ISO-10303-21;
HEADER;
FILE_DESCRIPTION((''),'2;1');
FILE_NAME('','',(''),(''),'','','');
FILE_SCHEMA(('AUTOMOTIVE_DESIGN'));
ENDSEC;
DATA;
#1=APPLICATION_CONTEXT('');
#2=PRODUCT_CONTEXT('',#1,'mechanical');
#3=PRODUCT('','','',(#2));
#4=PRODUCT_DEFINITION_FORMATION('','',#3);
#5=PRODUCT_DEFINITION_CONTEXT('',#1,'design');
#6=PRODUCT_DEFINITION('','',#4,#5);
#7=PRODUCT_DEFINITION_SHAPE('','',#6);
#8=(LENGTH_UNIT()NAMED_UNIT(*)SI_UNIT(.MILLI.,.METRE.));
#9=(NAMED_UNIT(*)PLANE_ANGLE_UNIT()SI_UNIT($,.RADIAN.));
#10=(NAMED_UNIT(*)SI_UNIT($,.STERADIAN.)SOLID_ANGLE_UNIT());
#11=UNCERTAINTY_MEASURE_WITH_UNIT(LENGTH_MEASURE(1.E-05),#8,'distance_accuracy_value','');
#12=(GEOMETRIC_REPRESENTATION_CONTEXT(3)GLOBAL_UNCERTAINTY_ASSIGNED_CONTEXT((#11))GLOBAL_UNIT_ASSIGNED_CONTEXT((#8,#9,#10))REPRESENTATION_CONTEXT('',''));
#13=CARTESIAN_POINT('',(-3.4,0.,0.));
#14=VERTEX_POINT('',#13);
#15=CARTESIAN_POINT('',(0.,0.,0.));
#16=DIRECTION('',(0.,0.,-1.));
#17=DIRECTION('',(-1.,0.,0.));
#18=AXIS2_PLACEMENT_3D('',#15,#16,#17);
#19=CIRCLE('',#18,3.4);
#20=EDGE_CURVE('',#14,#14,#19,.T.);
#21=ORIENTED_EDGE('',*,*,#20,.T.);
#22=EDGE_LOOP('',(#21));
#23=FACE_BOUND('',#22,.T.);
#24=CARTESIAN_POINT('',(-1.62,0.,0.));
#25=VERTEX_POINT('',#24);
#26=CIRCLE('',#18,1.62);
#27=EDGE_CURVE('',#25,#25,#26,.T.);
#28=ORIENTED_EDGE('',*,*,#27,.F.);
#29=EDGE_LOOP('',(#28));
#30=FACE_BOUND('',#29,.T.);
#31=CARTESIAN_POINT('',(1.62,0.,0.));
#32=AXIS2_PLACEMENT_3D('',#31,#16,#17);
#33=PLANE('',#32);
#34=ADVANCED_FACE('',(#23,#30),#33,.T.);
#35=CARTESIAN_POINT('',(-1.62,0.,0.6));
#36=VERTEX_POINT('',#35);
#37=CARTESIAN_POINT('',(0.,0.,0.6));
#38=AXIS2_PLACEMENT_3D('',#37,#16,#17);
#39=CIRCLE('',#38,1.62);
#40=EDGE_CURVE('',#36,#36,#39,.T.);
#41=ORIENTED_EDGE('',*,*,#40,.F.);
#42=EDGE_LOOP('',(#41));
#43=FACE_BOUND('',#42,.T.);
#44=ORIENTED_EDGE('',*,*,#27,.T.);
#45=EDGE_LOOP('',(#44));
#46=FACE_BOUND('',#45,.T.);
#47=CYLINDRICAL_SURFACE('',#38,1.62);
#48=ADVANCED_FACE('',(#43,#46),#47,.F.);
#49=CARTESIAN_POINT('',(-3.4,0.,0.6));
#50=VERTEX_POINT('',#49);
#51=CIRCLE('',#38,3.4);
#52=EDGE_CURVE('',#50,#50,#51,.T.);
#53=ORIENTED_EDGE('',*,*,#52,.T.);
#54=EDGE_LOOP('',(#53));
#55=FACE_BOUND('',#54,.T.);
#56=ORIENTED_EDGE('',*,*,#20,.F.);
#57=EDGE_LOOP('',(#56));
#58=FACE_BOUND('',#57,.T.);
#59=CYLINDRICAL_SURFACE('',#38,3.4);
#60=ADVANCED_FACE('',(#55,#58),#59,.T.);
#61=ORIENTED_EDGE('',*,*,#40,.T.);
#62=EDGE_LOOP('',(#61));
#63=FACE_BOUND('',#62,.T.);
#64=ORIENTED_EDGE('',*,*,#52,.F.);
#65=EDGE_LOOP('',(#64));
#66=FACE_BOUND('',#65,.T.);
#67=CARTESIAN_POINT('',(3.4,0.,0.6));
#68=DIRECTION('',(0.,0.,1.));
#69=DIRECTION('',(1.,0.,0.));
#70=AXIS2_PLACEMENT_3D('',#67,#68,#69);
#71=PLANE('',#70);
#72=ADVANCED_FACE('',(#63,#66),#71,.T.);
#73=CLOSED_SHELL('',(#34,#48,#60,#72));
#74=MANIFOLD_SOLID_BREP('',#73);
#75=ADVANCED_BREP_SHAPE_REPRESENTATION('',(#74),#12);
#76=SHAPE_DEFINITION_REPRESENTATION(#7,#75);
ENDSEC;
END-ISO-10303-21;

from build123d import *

# Parameters (mm, degrees)
SKETCH1_W = 1.78
SKETCH1_H = 0.6


with BuildPart() as part:
    # Sketch1 → Revolve1 (revolve)
    with BuildSketch(Plane.XZ, mode=Mode.PRIVATE) as revolve1_sk:
        with Locations((2.51, 0.3)):
            Rectangle(SKETCH1_W, SKETCH1_H)
    revolve(revolve1_sk.sketch.rotate(Axis((0, 0, 0.6), (0, 0, -1)), 180), axis=Axis((0, 0, 0.6), (0, 0, -1)))


solid = part.part
